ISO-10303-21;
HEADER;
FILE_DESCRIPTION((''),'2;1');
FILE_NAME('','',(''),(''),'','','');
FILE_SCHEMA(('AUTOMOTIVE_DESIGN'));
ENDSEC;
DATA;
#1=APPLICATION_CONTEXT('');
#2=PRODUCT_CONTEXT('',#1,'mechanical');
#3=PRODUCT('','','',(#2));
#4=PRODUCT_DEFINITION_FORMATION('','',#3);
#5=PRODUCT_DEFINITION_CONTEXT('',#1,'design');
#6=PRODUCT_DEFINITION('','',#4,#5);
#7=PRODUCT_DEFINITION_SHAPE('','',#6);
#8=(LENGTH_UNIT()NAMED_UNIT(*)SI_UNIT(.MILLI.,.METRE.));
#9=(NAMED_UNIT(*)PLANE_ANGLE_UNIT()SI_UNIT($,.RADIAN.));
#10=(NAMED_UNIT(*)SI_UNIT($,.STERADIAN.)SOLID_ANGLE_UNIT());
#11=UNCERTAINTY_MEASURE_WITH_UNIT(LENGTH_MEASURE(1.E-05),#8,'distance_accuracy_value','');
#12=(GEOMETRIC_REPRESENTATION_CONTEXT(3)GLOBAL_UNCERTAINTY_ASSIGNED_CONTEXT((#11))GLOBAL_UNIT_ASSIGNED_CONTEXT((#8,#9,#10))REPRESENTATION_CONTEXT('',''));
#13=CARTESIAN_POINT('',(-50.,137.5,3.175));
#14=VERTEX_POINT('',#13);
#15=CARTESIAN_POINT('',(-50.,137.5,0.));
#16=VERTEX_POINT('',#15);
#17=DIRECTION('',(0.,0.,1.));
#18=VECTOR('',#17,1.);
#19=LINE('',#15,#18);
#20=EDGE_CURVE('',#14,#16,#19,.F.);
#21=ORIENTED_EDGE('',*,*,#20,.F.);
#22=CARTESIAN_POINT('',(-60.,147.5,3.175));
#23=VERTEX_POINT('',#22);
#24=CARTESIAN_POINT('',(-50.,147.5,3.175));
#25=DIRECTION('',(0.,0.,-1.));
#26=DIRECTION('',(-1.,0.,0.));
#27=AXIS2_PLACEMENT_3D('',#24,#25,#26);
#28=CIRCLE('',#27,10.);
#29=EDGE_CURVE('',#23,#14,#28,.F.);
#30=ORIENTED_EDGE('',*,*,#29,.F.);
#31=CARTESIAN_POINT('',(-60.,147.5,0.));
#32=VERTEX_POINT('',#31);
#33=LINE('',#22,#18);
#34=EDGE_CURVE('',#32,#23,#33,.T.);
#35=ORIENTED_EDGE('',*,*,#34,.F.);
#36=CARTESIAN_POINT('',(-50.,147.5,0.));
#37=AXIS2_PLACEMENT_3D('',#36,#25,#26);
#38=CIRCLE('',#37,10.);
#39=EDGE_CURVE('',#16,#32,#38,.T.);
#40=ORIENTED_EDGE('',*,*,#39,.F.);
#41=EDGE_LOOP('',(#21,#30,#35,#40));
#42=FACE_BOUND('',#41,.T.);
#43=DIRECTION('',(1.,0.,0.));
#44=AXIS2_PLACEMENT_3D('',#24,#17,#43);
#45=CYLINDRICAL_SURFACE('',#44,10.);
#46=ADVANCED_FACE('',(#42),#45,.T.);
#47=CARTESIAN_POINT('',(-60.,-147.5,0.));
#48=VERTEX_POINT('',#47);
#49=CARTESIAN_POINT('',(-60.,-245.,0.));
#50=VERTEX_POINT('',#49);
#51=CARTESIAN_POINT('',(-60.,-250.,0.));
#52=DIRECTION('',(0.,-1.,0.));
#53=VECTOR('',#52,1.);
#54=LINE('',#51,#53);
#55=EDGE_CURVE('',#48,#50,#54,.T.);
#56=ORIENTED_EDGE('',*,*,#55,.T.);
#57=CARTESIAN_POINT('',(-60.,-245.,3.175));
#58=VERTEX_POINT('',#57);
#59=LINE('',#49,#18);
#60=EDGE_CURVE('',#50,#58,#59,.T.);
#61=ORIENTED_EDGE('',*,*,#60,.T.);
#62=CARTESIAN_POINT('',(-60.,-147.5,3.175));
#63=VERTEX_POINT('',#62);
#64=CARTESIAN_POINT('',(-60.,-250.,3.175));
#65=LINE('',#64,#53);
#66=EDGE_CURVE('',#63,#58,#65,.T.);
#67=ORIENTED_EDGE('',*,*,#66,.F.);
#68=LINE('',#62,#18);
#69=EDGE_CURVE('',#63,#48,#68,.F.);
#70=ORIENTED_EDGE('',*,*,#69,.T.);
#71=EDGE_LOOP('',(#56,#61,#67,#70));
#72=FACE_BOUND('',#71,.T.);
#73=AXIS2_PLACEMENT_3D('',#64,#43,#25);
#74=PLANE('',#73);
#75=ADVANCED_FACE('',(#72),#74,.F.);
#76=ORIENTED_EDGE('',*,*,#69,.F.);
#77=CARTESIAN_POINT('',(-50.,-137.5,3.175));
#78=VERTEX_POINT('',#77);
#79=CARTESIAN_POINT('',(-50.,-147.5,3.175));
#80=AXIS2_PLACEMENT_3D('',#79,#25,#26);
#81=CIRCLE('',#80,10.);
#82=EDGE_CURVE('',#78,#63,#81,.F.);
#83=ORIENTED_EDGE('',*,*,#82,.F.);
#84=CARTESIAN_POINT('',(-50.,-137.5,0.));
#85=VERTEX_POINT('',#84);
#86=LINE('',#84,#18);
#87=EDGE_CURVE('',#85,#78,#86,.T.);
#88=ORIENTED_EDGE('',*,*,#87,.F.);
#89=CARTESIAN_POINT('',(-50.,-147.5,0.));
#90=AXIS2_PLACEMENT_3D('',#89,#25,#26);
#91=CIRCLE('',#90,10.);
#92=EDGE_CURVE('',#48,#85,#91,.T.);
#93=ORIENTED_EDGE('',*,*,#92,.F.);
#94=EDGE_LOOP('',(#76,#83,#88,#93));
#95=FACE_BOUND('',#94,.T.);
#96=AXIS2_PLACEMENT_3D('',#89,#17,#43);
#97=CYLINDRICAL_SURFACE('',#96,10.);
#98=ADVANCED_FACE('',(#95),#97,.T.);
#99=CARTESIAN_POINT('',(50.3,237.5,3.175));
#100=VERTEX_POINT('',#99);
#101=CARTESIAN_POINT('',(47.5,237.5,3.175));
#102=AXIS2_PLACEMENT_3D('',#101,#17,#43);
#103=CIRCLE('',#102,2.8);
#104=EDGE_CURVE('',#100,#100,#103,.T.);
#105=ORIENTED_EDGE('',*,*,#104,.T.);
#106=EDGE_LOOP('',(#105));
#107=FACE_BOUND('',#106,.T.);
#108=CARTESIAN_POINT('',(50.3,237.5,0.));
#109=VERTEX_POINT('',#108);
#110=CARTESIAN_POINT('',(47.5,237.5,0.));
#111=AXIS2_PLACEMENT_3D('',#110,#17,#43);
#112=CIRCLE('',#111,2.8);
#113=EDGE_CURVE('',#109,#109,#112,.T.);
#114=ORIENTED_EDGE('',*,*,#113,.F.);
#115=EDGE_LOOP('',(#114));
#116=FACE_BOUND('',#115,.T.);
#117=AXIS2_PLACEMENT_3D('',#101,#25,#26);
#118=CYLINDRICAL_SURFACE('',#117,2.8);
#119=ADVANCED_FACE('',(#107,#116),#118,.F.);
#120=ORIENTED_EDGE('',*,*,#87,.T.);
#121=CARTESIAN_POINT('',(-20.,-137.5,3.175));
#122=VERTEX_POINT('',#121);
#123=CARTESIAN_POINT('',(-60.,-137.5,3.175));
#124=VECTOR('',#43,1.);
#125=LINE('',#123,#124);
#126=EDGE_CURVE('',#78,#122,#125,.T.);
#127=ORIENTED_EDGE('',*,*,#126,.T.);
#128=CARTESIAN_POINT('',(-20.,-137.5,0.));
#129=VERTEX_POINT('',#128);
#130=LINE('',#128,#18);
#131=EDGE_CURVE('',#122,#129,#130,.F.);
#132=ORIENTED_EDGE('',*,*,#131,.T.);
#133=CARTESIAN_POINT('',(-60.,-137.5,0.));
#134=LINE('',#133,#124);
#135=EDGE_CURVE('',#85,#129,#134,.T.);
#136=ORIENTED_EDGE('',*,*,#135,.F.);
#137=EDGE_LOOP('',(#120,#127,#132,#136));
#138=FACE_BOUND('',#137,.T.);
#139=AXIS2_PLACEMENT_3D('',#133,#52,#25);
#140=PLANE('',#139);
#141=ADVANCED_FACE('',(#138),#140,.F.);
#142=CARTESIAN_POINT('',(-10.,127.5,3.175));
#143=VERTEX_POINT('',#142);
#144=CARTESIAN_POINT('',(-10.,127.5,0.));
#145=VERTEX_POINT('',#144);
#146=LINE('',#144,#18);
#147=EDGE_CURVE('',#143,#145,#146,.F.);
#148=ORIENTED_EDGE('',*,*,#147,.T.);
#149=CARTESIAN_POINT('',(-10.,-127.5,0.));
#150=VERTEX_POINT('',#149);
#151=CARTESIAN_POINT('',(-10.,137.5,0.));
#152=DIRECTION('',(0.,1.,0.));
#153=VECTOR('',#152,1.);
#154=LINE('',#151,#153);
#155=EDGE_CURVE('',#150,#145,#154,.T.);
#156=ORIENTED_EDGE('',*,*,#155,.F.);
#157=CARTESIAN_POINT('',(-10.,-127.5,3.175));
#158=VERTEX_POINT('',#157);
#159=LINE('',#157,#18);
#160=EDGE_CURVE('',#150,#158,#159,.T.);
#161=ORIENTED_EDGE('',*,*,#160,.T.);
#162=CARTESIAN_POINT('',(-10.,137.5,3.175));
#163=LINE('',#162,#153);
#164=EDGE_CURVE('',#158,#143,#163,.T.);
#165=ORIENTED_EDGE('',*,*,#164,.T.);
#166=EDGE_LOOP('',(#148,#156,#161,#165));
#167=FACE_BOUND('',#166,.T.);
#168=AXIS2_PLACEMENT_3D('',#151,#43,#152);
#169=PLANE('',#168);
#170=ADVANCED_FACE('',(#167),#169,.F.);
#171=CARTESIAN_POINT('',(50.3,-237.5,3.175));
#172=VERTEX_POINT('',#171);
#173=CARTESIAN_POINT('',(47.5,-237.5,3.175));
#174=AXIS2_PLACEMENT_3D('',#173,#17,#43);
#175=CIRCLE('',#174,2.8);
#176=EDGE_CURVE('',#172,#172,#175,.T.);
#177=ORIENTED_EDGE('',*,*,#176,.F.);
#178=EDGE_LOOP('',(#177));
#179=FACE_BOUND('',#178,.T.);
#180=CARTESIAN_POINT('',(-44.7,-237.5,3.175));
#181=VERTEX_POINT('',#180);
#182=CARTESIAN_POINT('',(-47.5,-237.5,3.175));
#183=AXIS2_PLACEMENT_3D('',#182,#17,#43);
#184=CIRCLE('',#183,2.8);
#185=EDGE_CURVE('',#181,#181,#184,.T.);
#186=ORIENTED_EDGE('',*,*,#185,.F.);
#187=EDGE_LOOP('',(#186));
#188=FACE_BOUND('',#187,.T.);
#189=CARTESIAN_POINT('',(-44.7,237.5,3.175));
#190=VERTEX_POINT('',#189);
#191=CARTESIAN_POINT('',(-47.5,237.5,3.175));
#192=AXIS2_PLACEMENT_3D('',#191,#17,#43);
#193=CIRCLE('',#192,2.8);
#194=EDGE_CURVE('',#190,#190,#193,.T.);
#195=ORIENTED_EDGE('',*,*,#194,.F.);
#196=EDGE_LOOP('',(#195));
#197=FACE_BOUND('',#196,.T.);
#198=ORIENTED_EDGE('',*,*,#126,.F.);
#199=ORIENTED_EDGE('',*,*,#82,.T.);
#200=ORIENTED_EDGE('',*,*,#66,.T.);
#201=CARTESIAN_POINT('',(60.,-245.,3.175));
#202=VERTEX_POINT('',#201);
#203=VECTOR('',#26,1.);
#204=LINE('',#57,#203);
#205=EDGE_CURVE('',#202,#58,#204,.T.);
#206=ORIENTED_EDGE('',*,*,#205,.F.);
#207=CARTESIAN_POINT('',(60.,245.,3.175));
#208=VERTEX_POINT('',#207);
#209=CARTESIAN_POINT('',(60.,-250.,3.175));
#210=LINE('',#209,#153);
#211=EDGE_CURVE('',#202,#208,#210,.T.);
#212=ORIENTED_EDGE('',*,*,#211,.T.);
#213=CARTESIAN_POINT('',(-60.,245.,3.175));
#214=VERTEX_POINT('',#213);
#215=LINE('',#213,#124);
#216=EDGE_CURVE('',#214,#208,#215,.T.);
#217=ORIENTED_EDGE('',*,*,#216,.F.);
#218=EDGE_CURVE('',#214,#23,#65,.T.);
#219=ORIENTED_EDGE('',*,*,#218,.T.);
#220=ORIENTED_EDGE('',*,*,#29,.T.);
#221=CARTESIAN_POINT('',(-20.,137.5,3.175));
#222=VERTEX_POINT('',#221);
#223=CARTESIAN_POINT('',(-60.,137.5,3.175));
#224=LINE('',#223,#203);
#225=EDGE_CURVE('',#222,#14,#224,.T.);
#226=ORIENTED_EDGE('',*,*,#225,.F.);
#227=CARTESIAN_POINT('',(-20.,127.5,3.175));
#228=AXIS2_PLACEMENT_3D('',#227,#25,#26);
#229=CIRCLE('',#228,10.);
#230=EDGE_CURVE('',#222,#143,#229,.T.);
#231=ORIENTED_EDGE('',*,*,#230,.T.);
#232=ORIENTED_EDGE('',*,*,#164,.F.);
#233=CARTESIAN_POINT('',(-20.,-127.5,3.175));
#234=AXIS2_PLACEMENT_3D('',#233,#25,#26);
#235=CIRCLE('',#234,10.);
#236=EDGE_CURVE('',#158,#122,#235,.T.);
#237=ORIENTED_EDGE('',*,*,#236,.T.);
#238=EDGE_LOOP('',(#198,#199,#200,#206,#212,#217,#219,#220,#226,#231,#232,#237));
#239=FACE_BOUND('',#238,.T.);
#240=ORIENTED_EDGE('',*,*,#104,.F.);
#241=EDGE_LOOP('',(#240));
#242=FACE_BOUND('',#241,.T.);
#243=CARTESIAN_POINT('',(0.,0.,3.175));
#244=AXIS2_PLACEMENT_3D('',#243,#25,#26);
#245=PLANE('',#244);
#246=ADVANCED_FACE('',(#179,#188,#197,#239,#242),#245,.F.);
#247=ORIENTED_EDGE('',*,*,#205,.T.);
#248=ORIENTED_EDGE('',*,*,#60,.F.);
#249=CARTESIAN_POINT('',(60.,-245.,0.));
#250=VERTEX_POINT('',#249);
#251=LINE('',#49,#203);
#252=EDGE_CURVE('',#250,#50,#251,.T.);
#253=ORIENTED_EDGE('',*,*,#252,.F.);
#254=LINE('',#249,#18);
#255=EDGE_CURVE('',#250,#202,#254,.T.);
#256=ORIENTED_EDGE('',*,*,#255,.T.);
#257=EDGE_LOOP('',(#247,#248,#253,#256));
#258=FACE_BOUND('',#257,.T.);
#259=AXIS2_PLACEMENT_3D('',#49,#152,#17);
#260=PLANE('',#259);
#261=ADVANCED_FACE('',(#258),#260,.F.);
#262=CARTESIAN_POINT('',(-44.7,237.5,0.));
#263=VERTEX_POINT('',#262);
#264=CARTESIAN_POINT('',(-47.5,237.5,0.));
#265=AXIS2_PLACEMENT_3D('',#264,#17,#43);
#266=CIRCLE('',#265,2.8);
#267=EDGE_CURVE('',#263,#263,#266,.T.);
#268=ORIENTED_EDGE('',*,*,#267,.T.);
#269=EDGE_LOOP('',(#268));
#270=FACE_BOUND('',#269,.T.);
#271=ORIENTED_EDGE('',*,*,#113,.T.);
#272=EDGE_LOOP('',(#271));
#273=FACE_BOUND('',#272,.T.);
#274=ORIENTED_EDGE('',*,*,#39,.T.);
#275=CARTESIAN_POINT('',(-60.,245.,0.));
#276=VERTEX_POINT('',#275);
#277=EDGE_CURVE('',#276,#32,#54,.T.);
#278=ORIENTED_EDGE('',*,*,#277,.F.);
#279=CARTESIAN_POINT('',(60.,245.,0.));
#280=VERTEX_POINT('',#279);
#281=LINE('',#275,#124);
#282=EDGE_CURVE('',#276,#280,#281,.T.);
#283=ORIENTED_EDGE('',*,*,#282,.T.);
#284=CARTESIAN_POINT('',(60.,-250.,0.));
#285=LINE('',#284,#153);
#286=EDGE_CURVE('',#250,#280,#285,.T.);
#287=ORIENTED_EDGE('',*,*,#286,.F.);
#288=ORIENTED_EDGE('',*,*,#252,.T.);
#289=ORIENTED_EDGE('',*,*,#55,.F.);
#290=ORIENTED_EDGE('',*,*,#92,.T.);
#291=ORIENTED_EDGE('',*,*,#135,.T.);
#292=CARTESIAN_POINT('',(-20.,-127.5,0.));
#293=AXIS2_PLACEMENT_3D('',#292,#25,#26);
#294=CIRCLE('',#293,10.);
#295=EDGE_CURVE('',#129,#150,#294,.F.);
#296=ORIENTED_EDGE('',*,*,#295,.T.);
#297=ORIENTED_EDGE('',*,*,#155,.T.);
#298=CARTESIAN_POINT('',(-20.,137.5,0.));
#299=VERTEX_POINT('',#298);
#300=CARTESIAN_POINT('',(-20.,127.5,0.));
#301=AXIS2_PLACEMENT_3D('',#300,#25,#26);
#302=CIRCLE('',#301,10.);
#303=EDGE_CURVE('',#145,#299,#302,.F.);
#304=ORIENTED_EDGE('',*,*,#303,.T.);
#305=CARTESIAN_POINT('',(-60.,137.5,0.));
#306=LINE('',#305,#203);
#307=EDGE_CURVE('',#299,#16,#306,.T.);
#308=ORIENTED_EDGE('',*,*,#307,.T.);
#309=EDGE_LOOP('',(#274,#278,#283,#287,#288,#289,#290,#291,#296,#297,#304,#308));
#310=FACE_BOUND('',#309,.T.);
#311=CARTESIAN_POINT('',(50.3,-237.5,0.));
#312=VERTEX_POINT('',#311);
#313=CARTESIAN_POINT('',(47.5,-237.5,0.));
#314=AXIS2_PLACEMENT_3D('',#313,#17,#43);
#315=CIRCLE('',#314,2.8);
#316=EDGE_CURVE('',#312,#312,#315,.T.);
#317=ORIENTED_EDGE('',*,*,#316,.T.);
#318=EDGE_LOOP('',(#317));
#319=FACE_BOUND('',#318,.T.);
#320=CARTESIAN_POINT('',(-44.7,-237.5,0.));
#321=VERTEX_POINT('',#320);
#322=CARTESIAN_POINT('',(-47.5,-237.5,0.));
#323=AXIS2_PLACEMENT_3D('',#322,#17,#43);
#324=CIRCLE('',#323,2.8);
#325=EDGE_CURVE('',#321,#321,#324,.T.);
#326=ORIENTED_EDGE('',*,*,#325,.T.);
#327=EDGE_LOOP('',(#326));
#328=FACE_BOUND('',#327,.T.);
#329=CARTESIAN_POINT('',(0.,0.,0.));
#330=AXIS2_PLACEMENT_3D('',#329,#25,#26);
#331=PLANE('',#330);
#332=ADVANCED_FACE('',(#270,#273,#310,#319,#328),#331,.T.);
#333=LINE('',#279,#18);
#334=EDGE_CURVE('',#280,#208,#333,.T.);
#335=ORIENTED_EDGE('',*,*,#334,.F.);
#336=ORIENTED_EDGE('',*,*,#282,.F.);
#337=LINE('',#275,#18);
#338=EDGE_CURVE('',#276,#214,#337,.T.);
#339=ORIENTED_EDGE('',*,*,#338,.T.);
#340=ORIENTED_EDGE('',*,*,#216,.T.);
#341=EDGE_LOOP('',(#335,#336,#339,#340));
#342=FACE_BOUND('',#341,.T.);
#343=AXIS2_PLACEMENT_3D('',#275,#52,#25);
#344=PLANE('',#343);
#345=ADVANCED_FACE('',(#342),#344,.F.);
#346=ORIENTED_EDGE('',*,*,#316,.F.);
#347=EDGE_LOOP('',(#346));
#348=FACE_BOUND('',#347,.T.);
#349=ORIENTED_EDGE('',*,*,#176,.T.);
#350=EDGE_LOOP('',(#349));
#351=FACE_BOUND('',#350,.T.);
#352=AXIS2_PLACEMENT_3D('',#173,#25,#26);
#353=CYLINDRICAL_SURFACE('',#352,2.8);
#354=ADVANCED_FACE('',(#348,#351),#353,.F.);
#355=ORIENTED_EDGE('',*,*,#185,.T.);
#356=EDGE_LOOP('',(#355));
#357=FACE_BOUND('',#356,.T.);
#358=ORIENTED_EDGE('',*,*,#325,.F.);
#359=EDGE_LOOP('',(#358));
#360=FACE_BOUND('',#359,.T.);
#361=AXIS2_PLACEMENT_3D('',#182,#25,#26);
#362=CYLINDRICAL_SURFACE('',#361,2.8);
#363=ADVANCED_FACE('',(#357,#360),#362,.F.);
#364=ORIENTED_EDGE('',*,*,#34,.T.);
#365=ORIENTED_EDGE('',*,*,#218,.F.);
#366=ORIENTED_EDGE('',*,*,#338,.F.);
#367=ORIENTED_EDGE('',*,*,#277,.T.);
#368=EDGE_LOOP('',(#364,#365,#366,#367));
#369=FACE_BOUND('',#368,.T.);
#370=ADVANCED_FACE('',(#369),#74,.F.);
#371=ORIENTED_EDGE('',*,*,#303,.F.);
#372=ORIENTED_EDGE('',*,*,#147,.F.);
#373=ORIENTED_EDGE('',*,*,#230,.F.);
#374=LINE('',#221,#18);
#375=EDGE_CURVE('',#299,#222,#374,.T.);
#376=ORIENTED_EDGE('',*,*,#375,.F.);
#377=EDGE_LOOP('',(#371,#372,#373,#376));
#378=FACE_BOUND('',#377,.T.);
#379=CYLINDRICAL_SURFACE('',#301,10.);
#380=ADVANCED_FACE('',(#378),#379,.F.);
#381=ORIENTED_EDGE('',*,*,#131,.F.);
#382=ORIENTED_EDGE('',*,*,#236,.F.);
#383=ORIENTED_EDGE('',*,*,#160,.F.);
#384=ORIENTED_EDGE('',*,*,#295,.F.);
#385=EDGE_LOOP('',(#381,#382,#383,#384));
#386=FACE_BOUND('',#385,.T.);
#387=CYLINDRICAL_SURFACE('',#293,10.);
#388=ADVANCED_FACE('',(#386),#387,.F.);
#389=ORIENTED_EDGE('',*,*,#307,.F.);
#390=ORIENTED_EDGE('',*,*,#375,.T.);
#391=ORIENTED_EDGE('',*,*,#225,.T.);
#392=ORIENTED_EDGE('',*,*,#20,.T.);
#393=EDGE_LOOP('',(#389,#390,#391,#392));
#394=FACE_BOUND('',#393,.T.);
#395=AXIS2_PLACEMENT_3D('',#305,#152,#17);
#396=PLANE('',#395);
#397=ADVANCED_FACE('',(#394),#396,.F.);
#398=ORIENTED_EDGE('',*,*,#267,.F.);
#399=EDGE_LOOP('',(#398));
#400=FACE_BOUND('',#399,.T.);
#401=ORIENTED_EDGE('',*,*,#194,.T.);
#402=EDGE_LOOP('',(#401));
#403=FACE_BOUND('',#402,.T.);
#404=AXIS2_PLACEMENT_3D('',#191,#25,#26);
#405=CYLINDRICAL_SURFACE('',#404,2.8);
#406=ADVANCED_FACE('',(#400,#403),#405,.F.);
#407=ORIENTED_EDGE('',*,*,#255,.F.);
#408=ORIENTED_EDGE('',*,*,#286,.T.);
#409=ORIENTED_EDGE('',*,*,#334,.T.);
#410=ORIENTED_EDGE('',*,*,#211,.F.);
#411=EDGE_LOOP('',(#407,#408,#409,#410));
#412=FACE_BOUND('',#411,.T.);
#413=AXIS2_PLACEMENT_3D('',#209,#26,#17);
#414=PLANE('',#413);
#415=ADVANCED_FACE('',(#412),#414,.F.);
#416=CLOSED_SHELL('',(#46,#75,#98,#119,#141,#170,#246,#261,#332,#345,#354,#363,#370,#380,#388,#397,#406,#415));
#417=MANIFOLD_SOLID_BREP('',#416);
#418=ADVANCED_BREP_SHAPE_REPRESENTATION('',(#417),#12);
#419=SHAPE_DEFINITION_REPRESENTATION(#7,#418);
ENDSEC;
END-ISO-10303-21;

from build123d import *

# Parameters (mm, degrees)
SKETCH1_W           = 500
SKETCH1_H           = 120
SKETCH1_R           = 2.8
BOSS_EXTRUDE1_DEPTH = 3.175
SKETCH2_W           = 50
SKETCH2_H           = 275
CUT_EXTRUDE1_DEPTH  = 258.11880644
FILLET1_R           = 10
SKETCH3_W           = 120
SKETCH3_H           = 5
CUT_EXTRUDE2_DEPTH  = 258.11880644


with BuildPart() as part:
    # Sketch1 → Boss-Extrude1 (new body)
    with BuildSketch(Plane(origin=(0, 0, 0), x_dir=(0, 1, 0), z_dir=(0, 0, 1))):
        Rectangle(SKETCH1_W, SKETCH1_H)
        with Locations(Location((-237.5, 47.5, 0), (0, 0, 270))):
            Circle(SKETCH1_R, mode=Mode.SUBTRACT)
        with Locations(Location((-237.5, -47.5, 0), (0, 0, 270))):
            Circle(SKETCH1_R, mode=Mode.SUBTRACT)
        with Locations(Location((237.5, 47.5, 0), (0, 0, 270))):
            Circle(SKETCH1_R, mode=Mode.SUBTRACT)
        with Locations(Location((237.5, -47.5, 0), (0, 0, 270))):
            Circle(SKETCH1_R, mode=Mode.SUBTRACT)
    extrude(amount=BOSS_EXTRUDE1_DEPTH)

    # Sketch2 → Cut-Extrude1 (cut, through all)
    with BuildSketch(Plane.XY.offset(3.175)):
        with Locations((-35, 0)):
            Rectangle(SKETCH2_W, SKETCH2_H)
    extrude(amount=-CUT_EXTRUDE1_DEPTH, mode=Mode.SUBTRACT)

    # Fillet1
    fillet1_edges = [part.edges().sort_by_distance(p)[0] for p in [
        (-60, -137.5, 1.5875),
        (-60, 137.5, 1.5875),
        (-10, 137.5, 1.5875),
        (-10, -137.5, 1.5875),
    ]]
    fillet(fillet1_edges, radius=FILLET1_R)

    # Sketch3 → Cut-Extrude2 (cut, through all)
    with BuildSketch(Plane.XY.offset(3.175)):
        with Locations((0, 247.5)):
            Rectangle(SKETCH3_W, SKETCH3_H)
        with Locations((0, -247.5)):
            Rectangle(SKETCH3_W, SKETCH3_H)
    extrude(amount=-CUT_EXTRUDE2_DEPTH, mode=Mode.SUBTRACT)


solid = part.part
